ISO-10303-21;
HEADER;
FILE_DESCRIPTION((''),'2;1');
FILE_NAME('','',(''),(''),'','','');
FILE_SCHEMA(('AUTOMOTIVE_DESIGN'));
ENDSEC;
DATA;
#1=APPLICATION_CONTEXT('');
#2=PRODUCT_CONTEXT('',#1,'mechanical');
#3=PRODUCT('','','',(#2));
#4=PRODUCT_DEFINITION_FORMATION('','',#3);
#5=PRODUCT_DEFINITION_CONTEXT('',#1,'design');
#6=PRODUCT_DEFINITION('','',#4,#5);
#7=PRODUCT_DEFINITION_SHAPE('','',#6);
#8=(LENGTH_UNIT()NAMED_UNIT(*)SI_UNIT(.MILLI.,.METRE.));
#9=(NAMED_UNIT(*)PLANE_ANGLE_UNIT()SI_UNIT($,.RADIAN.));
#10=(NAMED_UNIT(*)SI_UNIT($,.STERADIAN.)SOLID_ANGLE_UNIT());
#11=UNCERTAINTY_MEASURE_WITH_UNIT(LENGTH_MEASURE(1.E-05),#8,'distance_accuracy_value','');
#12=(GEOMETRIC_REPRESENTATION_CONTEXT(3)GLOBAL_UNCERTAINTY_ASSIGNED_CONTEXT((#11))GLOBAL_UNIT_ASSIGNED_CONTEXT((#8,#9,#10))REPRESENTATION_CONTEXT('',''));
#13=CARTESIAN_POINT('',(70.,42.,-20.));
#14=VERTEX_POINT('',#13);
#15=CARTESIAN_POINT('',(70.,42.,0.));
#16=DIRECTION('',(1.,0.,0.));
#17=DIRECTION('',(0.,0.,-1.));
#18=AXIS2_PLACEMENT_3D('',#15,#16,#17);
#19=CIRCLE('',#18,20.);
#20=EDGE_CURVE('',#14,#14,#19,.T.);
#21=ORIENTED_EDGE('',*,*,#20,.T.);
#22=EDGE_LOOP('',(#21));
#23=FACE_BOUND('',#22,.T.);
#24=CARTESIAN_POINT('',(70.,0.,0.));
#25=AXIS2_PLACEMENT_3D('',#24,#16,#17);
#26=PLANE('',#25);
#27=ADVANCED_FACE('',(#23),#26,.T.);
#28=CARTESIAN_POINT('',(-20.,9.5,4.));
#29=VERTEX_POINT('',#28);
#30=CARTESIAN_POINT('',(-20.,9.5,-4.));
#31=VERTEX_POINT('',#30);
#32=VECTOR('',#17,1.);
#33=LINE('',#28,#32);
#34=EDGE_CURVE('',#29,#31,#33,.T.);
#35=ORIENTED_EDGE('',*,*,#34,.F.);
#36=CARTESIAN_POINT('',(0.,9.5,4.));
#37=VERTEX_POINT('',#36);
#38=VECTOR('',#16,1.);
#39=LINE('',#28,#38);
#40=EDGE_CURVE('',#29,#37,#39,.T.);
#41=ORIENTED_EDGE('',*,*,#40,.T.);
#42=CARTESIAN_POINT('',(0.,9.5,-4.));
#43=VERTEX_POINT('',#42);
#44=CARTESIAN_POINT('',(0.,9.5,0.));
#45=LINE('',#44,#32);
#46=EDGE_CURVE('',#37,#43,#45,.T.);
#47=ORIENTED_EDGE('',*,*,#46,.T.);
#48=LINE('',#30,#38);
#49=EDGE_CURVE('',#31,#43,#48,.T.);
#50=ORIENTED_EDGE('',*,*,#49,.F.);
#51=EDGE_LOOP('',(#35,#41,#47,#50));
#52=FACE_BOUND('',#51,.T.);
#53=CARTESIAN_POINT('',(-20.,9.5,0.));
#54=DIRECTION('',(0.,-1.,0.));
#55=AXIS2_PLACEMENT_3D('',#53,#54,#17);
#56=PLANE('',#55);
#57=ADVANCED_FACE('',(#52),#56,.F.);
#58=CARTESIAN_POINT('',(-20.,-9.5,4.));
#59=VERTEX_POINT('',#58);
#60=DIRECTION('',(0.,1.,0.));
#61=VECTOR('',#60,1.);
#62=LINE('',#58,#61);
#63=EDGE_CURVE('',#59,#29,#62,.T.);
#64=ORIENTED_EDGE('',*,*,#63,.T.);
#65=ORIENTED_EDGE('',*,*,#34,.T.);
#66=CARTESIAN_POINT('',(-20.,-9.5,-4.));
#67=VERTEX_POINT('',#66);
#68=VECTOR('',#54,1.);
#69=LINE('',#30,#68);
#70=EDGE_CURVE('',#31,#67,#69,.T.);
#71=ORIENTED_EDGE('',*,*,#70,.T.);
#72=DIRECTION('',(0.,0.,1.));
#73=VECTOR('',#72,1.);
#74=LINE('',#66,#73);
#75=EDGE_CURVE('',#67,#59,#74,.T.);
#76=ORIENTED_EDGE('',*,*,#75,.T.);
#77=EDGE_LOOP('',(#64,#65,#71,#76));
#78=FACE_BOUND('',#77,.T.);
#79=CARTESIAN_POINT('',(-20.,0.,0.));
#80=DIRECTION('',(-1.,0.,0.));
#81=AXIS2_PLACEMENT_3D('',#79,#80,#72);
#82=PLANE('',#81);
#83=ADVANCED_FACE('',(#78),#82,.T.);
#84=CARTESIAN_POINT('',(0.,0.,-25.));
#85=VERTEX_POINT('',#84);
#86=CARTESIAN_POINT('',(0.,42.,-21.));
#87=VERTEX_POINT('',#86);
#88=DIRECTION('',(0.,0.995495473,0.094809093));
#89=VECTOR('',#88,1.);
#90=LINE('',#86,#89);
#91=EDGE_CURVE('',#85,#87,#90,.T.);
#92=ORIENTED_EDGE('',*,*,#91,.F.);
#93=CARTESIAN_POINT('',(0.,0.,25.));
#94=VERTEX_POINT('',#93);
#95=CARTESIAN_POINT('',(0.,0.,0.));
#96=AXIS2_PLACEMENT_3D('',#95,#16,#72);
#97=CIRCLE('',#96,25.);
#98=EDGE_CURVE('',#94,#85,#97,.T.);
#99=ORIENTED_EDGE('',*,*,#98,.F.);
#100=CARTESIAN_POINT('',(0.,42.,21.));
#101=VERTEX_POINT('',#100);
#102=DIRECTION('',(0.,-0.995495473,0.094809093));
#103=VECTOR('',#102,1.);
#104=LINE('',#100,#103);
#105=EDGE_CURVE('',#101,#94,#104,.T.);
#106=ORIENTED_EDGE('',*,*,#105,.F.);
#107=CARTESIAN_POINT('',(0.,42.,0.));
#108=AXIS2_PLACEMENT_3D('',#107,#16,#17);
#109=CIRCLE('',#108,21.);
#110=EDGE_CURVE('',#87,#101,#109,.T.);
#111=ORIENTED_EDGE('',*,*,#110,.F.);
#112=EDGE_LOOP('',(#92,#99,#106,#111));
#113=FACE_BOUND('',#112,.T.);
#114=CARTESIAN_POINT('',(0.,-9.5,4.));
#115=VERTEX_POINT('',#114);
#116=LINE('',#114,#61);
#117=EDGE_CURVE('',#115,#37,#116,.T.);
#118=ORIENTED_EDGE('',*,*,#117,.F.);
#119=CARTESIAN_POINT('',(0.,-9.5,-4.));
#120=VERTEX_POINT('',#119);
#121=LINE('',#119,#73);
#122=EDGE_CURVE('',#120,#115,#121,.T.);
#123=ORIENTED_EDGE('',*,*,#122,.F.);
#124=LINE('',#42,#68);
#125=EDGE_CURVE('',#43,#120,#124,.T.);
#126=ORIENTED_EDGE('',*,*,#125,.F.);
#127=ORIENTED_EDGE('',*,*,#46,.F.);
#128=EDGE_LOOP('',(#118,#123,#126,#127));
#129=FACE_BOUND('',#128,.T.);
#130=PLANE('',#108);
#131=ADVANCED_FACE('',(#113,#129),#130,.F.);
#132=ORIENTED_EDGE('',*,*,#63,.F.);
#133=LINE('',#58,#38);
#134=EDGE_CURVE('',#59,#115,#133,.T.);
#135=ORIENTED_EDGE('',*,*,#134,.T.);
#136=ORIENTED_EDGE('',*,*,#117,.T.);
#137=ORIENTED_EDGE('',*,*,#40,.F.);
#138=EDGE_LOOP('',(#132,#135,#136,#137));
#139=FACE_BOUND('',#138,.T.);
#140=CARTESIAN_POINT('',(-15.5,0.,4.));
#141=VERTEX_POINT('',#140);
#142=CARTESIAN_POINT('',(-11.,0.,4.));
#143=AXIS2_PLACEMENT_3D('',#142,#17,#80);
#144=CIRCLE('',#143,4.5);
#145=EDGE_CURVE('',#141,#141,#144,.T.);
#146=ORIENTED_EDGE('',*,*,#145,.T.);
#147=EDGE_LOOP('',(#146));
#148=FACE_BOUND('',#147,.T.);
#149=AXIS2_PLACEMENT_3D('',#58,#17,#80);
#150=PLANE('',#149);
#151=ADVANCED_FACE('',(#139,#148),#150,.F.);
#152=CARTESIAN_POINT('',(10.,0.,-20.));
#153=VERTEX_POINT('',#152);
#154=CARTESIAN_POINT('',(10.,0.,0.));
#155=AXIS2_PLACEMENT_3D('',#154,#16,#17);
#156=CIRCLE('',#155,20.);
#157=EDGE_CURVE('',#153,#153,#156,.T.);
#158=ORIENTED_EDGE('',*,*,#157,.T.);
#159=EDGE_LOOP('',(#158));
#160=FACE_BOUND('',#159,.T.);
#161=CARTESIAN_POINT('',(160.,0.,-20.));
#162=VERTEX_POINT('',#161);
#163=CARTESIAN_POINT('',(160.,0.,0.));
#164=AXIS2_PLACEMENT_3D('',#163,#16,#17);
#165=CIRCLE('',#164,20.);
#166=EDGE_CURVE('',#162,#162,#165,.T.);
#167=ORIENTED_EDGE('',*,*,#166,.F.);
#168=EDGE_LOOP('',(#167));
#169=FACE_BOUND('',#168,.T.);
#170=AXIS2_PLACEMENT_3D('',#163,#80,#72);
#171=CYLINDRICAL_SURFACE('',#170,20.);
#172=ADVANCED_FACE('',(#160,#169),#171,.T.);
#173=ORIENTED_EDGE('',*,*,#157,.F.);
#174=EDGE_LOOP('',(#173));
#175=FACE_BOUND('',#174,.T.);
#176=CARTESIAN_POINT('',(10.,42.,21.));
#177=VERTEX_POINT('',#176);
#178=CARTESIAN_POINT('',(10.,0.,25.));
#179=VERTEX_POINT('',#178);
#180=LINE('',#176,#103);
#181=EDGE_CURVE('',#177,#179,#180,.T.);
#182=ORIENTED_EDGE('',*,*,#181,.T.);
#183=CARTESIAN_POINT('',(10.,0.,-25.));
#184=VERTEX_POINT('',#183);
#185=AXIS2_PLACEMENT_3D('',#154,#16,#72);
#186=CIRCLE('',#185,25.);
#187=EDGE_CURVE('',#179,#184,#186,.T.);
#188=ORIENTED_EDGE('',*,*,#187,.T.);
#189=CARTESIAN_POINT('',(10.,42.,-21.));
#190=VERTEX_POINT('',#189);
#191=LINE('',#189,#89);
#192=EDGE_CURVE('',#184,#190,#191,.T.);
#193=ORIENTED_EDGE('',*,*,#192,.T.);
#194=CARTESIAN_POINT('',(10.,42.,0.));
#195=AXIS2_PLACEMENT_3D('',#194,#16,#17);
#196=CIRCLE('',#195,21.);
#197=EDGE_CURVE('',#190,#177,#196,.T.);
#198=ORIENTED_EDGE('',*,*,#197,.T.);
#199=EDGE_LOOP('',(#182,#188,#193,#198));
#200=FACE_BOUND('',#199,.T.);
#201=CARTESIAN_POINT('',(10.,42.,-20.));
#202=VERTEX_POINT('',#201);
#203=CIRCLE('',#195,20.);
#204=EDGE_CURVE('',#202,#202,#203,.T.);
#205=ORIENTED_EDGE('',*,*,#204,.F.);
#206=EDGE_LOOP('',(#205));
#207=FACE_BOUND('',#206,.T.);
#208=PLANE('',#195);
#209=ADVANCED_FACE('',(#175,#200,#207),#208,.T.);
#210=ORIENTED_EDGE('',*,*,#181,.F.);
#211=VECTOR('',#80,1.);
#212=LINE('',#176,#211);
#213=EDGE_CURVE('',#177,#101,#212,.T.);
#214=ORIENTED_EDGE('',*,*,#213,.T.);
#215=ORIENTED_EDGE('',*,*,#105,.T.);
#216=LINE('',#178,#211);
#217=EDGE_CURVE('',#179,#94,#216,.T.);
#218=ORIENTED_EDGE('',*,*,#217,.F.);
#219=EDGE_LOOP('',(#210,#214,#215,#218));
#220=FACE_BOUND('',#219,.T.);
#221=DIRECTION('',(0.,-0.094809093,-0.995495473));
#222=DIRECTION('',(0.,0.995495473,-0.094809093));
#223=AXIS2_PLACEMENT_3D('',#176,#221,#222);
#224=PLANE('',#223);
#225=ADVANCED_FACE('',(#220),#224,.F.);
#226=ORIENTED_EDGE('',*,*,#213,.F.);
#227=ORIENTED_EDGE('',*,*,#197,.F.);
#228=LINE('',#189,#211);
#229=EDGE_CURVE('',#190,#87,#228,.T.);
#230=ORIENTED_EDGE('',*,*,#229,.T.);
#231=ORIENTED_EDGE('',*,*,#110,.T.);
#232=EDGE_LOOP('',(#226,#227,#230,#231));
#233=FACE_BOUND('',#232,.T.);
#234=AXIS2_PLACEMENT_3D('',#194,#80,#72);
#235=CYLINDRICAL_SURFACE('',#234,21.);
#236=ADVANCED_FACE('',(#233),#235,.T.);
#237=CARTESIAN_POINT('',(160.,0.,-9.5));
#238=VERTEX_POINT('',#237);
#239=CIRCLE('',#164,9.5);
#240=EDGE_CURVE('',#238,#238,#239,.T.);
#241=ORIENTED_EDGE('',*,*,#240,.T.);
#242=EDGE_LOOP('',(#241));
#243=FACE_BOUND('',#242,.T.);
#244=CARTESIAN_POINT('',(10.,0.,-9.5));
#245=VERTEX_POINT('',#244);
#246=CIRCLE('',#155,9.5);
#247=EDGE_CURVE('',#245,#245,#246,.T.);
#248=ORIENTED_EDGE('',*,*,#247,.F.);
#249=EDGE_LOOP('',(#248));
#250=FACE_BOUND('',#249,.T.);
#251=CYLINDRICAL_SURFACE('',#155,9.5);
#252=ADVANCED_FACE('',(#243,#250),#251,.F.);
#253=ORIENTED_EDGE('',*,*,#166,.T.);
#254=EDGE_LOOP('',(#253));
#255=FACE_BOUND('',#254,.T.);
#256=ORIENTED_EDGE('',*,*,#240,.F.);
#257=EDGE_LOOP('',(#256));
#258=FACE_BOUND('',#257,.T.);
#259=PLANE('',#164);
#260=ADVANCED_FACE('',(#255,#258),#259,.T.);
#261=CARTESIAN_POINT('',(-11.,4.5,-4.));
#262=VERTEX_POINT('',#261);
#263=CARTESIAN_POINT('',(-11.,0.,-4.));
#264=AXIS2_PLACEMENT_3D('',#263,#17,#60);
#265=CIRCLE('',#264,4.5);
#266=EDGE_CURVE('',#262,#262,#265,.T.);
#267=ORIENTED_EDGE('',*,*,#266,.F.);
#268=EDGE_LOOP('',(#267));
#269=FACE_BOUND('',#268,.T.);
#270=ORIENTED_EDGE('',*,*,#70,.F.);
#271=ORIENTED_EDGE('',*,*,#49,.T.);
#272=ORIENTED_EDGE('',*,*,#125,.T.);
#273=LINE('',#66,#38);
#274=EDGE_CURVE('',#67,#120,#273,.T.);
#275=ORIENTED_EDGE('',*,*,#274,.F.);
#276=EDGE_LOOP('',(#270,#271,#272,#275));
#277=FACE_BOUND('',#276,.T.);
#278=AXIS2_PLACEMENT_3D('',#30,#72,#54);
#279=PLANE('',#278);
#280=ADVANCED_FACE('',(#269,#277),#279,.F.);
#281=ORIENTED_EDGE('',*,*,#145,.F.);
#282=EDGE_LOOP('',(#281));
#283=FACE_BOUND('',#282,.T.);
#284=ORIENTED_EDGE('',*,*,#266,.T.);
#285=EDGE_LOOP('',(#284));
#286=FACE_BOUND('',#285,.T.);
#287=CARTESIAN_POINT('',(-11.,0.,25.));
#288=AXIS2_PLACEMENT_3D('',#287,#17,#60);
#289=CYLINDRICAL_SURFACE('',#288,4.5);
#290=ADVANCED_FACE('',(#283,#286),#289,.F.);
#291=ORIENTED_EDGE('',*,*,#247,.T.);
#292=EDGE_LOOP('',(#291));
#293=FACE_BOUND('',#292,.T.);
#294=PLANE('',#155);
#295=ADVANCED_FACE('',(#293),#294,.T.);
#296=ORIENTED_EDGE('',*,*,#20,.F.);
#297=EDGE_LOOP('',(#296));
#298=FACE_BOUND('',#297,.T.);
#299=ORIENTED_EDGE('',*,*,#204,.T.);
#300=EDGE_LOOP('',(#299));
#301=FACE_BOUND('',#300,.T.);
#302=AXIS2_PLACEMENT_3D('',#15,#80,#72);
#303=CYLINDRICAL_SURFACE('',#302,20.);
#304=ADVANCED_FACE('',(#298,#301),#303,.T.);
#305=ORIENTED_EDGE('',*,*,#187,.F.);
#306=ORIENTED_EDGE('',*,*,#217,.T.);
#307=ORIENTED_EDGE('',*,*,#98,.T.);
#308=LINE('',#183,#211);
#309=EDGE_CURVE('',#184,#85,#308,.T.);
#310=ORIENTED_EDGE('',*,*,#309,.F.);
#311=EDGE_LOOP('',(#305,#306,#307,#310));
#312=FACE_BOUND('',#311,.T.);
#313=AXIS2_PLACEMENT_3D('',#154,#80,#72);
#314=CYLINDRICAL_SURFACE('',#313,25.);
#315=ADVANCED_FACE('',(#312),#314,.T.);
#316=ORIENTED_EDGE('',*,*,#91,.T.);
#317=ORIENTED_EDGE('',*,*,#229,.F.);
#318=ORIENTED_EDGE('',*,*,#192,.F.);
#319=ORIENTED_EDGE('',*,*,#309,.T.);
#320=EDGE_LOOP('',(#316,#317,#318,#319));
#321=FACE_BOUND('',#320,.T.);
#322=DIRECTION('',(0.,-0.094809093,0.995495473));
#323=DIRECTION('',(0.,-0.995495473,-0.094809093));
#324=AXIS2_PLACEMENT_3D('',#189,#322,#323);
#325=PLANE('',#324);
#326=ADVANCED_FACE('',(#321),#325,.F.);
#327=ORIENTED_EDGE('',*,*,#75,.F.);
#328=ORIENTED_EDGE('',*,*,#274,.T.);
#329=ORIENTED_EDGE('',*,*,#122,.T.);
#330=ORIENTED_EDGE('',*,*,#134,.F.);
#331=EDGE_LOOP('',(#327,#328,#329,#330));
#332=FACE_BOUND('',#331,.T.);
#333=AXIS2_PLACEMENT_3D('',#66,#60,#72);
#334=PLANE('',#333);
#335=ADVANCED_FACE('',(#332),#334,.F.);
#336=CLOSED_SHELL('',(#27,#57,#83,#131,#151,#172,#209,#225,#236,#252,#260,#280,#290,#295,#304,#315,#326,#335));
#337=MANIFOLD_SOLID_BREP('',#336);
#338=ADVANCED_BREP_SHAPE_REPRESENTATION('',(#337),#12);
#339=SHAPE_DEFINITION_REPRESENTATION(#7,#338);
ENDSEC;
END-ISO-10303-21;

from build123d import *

# Parameters (mm, degrees)
BOSS_EXTRUDE1_DEPTH = 10
BOSS_EXTRUDE2_DEPTH = 20
SKETCH3_R           = 4.5
CUT_EXTRUDE1_DEPTH  = 73.18032973
SKETCH5_R           = 20
BOSS_EXTRUDE4_DEPTH = 150
BOSS_EXTRUDE5_DEPTH = 60
SKETCH7_R           = 9.5
CUT_EXTRUDE2_DEPTH  = 150


with BuildPart() as part:
    # Sketch1 → Boss-Extrude1 (new body)
    with BuildSketch(Plane(origin=(0, 0, 0), x_dir=(0, 0, -1), z_dir=(1, 0, 0))):
        with BuildLine():
            Line((-21, 42), (-25, 0))
            ThreePointArc((-25, 0), (0, -25), (25, 0))
            Line((25, 0), (21, 42))
            ThreePointArc((21, 42), (0, 63), (-21, 42))
        make_face()
    extrude(amount=BOSS_EXTRUDE1_DEPTH)

    # Sketch2 → Boss-Extrude2 (add)
    with BuildSketch(Plane.ZY):
        Polygon((0, 9.5), (-4, 9.5), (-4, -9.5), (4, -9.5), (4, 9.5), align=None)
    extrude(amount=BOSS_EXTRUDE2_DEPTH)

    # Sketch3 → Cut-Extrude1 (cut, through all)
    with BuildSketch(Plane(origin=(0, 0, -4), x_dir=(-1, 0, 0), z_dir=(0, 0, -1))):
        with Locations(Location((11, 0, 0), (0, 0, 90))):
            Circle(SKETCH3_R)
    extrude(amount=-CUT_EXTRUDE1_DEPTH, mode=Mode.SUBTRACT)

    # Sketch5 → Boss-Extrude4 (add)
    with BuildSketch(Plane(origin=(10, 0, 0), x_dir=(0, 0, -1), z_dir=(1, 0, 0))):
        Circle(SKETCH5_R)
    extrude(amount=BOSS_EXTRUDE4_DEPTH)

    # Sketch6 → Boss-Extrude5 (add)
    with BuildSketch(Plane(origin=(10, 0, 0), x_dir=(0, 0, -1), z_dir=(1, 0, 0))):
        with BuildLine():
            ThreePointArc((-20, 42), (0, 22), (20, 42))
            Line((20, 42), (-20, 42))
        make_face()
        with BuildLine():
            Line((-20, 42), (20, 42))
            ThreePointArc((20, 42), (0, 62), (-20, 42))
        make_face()
    extrude(amount=BOSS_EXTRUDE5_DEPTH)

    # Sketch7 → Cut-Extrude2 (cut)
    with BuildSketch(Plane(origin=(160, 0, 0), x_dir=(0, 0, -1), z_dir=(1, 0, 0))):
        Circle(SKETCH7_R)
    extrude(amount=-CUT_EXTRUDE2_DEPTH, mode=Mode.SUBTRACT)


solid = part.part
